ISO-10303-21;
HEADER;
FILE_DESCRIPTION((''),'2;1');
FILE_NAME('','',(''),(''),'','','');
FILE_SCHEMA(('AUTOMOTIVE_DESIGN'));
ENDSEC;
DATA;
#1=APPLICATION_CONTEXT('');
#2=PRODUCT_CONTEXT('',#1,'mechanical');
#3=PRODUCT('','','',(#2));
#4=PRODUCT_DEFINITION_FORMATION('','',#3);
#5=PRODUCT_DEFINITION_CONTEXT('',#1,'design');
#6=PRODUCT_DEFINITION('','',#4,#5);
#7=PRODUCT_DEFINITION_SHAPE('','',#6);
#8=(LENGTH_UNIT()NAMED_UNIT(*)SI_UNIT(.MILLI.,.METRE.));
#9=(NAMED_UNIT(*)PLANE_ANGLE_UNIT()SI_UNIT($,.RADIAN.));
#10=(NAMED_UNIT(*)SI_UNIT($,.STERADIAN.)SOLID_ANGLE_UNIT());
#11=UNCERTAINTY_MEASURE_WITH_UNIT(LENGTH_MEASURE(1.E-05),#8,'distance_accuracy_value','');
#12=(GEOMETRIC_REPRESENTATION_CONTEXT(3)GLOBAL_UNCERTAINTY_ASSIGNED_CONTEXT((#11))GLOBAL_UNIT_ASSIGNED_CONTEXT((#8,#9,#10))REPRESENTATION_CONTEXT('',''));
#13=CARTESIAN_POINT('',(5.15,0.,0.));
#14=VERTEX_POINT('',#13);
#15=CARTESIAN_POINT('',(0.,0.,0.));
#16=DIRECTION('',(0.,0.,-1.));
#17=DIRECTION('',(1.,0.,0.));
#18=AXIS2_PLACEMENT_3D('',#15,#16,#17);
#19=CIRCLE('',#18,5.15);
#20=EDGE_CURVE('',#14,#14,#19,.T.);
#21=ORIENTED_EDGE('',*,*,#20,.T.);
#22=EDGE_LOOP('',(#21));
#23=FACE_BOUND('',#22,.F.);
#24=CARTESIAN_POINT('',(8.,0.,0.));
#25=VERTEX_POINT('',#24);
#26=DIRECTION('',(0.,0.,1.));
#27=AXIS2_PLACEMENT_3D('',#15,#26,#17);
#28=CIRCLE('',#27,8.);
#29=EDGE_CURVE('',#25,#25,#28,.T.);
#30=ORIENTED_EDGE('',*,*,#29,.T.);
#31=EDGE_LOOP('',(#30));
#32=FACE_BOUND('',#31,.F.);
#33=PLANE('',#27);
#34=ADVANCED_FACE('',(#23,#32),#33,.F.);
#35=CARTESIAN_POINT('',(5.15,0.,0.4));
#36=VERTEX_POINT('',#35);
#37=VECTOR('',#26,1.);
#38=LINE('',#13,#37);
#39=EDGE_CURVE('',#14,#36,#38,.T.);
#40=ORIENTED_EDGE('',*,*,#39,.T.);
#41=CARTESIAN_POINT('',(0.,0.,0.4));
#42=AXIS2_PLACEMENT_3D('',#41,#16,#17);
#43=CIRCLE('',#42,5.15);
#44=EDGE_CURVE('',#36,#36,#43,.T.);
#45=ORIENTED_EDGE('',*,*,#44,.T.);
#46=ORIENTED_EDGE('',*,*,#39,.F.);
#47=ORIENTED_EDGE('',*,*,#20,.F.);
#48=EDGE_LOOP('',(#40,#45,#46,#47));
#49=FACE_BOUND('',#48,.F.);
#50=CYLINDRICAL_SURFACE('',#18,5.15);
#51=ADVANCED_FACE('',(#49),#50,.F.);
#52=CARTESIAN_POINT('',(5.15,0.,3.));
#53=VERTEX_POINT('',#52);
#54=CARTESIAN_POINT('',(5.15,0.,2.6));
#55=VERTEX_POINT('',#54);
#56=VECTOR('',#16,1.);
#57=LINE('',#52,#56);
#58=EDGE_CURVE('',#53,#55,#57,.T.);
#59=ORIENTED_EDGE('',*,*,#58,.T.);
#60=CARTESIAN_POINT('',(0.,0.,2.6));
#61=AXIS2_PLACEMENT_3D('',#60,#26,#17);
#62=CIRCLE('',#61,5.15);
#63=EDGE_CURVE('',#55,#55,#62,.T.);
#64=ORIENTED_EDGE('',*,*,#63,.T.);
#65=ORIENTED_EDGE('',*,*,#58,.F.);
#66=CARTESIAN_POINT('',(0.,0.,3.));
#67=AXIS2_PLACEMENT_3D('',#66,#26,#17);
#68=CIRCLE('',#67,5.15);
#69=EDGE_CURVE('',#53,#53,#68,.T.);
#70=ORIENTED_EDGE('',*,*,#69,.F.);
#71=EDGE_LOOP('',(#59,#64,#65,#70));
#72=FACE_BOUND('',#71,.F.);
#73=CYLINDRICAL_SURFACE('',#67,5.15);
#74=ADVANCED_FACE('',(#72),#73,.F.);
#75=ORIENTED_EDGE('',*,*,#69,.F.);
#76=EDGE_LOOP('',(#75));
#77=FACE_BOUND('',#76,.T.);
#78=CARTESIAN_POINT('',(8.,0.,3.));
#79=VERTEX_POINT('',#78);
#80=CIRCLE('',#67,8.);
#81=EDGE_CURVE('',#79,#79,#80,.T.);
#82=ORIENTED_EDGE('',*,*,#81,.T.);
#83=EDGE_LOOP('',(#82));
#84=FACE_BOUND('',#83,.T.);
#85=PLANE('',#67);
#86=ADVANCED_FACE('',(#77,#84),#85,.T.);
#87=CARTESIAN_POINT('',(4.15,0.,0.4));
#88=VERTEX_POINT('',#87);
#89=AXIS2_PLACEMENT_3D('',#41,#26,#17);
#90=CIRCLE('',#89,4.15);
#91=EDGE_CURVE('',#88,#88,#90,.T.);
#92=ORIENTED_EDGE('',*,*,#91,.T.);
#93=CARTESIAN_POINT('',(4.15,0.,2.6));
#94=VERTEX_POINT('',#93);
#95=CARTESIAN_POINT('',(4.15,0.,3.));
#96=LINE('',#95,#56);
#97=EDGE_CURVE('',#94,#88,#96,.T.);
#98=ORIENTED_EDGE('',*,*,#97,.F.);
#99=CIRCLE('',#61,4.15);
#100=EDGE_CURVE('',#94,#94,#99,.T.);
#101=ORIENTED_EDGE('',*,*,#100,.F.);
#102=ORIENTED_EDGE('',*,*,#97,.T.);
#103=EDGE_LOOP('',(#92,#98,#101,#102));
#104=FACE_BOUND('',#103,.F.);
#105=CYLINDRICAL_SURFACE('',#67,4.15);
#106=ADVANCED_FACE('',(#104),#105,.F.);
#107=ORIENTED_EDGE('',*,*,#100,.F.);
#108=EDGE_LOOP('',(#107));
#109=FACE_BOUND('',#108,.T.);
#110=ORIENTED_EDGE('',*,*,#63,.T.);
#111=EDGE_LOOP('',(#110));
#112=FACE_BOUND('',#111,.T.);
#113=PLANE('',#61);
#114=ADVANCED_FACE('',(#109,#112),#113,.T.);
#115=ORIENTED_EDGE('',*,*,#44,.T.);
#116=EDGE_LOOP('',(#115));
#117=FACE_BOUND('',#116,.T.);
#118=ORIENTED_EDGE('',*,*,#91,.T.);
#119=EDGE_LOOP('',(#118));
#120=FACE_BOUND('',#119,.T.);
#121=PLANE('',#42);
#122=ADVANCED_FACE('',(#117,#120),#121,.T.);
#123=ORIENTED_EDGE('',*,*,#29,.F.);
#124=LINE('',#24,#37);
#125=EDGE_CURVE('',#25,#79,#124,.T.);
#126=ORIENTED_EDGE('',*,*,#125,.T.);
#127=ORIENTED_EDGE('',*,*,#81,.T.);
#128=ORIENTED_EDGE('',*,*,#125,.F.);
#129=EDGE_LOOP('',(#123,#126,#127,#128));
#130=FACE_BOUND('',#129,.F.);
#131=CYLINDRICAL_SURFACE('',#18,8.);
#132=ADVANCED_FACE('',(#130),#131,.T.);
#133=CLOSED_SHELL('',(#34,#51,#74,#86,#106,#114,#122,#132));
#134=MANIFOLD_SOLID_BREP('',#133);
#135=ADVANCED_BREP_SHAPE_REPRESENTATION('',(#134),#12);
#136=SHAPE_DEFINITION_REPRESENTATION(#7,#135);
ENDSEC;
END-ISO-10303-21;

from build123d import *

# Parameters (mm, degrees)
F0_R     = 8
F1_DEPTH = 3
F2_R     = 4.15
F3_DEPTH = 25
F4_R     = 5.15
F5_DEPTH = 0.4
F6_R     = 5.15
F7_DEPTH = 0.4


with BuildPart() as f1:
    # F0 (on Top) → F1 (new body)
    with BuildSketch(Plane.XY):
        Circle(F0_R)
    extrude(amount=F1_DEPTH)

    # F2 (on face) → F3 (cut)
    with BuildSketch(Plane.XY.offset(3)):
        Circle(F2_R)
    extrude(amount=-F3_DEPTH, mode=Mode.SUBTRACT)

    # F4 (on face) → F5 (cut)
    with BuildSketch(Plane(origin=(0, 0, 0), x_dir=(1, 0, 0), z_dir=(0, 0, -1))):
        Circle(F4_R)
    extrude(amount=-F5_DEPTH, mode=Mode.SUBTRACT)

    # F6 (on face) → F7 (cut)
    with BuildSketch(Plane.XY.offset(3)):
        Circle(F6_R)
    extrude(amount=-F7_DEPTH, mode=Mode.SUBTRACT)


solid = f1.part
